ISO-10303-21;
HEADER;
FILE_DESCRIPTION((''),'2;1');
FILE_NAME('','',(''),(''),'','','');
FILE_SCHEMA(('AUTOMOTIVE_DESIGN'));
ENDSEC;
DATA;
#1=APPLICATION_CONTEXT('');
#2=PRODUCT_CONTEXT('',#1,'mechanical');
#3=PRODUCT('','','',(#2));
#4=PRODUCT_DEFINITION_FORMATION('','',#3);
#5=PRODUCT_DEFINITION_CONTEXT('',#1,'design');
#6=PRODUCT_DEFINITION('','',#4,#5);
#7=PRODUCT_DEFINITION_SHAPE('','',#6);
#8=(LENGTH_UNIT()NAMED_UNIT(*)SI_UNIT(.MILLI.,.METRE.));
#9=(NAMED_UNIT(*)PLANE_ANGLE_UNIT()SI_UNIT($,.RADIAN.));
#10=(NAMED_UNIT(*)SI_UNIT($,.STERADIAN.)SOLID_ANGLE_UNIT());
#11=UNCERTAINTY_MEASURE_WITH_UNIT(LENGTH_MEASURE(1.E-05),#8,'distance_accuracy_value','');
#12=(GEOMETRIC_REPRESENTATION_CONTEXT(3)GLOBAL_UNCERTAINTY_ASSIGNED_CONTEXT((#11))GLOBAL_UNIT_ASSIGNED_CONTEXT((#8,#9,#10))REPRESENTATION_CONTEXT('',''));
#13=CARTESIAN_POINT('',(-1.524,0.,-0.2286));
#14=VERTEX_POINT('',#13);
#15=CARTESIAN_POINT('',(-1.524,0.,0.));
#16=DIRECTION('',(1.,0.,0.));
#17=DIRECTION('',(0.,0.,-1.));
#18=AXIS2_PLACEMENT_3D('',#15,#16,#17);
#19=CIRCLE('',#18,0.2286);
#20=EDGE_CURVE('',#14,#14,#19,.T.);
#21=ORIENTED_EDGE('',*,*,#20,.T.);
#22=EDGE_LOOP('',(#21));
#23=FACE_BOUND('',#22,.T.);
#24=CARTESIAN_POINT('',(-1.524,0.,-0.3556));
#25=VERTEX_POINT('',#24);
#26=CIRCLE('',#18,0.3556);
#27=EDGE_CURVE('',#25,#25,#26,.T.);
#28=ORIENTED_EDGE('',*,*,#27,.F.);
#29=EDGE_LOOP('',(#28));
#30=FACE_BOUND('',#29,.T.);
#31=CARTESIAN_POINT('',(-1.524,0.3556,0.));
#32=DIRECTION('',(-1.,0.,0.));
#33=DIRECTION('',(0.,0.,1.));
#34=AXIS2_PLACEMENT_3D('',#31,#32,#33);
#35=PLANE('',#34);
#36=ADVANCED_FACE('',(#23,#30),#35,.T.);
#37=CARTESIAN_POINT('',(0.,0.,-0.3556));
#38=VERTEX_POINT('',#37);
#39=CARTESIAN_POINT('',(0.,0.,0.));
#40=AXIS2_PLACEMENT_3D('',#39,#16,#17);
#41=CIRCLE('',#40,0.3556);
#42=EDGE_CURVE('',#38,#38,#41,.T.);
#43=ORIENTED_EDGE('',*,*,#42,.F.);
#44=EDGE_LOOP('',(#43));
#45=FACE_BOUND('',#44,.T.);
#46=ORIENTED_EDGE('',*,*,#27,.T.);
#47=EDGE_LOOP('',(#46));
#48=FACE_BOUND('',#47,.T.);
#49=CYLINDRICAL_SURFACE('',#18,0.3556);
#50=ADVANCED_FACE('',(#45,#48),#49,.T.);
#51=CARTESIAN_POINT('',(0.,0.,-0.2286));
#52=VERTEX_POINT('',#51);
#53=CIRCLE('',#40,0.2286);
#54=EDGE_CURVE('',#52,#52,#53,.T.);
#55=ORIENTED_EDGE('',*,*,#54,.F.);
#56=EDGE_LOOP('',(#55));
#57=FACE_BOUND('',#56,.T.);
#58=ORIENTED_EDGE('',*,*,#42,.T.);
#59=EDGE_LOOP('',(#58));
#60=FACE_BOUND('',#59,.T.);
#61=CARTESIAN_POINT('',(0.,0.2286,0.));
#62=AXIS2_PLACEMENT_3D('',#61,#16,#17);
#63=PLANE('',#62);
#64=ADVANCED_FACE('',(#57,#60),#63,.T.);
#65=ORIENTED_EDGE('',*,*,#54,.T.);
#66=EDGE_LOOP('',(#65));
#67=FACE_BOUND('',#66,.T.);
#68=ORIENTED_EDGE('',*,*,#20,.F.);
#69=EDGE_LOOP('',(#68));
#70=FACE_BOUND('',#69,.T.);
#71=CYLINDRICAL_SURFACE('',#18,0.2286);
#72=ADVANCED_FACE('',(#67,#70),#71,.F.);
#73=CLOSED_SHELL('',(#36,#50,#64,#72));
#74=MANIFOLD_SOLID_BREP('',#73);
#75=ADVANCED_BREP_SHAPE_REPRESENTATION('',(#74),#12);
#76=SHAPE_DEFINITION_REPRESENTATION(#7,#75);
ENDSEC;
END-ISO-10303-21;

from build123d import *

# Parameters (mm, degrees)
SKETCH1_W = 1.524
SKETCH1_H = 0.127


with BuildPart() as part:
    # Sketch1 → Revolve1 (revolve)
    with BuildSketch(Plane.XY, mode=Mode.PRIVATE) as revolve1_sk:
        with Locations((-0.762, 0.2921)):
            Rectangle(SKETCH1_W, SKETCH1_H)
    revolve(revolve1_sk.sketch.rotate(Axis((-1.524, 0, 0), (1, 0, 0)), 270), axis=Axis((-1.524, 0, 0), (1, 0, 0)))


solid = part.part
